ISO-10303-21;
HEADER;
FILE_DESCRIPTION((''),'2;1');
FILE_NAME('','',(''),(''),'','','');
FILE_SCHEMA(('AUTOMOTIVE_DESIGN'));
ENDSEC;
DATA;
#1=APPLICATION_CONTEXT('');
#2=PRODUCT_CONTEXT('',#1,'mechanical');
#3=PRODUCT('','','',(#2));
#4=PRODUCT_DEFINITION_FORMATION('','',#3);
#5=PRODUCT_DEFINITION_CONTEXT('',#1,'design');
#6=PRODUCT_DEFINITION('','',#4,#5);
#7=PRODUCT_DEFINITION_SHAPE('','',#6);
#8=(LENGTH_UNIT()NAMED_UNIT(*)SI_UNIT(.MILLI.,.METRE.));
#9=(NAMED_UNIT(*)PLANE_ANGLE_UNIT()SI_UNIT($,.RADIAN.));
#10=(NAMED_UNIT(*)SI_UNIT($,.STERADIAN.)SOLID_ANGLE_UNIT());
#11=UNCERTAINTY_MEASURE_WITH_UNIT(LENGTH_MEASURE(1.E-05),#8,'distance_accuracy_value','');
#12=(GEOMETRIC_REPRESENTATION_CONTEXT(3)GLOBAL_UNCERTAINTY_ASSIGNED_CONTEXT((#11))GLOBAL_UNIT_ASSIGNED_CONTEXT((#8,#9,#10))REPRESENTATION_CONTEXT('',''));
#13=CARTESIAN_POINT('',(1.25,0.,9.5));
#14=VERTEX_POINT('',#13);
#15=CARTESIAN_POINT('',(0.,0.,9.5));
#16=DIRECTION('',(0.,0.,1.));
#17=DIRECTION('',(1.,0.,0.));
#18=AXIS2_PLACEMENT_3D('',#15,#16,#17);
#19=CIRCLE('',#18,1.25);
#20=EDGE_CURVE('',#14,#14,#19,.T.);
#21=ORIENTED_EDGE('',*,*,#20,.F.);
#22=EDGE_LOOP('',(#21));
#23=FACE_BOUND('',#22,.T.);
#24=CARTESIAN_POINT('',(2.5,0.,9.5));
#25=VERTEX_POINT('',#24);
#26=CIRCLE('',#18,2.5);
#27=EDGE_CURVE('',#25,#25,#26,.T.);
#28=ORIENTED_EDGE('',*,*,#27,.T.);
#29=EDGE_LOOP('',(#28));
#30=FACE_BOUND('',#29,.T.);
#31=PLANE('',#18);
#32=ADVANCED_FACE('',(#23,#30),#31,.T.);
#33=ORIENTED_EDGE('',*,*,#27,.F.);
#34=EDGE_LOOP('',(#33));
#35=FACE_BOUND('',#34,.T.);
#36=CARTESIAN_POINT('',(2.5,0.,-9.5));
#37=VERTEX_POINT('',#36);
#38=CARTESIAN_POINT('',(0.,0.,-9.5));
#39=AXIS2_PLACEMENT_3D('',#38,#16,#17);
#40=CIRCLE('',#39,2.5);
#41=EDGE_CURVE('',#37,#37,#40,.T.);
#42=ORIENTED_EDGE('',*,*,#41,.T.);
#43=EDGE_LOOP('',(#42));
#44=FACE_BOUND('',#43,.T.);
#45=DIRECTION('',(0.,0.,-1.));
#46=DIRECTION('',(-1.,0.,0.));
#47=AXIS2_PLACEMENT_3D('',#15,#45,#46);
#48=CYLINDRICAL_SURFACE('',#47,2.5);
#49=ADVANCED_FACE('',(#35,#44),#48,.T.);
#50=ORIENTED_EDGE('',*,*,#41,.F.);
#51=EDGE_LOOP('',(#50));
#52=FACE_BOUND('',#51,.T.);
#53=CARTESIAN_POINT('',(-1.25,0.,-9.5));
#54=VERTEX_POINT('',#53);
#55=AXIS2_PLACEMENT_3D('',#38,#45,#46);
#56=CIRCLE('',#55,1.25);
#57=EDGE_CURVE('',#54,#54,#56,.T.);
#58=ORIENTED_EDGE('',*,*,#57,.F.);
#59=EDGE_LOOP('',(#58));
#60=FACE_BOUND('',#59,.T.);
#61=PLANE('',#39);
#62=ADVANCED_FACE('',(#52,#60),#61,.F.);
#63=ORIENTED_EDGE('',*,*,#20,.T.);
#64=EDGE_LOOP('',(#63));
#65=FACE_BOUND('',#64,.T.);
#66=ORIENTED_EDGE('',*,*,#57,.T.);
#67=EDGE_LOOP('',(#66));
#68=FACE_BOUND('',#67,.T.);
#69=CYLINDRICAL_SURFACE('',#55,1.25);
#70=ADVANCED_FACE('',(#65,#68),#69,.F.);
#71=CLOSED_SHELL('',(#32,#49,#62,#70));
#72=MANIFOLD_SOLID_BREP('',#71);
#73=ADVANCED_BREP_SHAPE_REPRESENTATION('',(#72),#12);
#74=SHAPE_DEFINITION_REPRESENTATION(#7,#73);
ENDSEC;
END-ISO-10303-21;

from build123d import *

# Parameters (mm, degrees)
SKETCH_1_R               = 2.5
EXTRUDE_1_DEPTH          = 9.5
M3X0_5_1_D               = 2.5
M3X0_5_1_DEPTH           = 8.5
M3X0_5_1_TIP             = 0.751075774
M3X0_5_1_ON_FACE_2_D     = 2.5
M3X0_5_1_ON_FACE_2_DEPTH = 8.5
M3X0_5_1_ON_FACE_2_TIP   = 0.751075774
SKETCH_3_R               = 1.25
CUT_EXTRUDE_1_DEPTH      = 19


with BuildPart() as part:
    # ｽｹｯﾁ1 → ﾎﾞｽ - 押し出し1 (new body, symmetric)
    with BuildSketch(Plane.XY):
        Circle(SKETCH_1_R)
    extrude(amount=EXTRUDE_1_DEPTH, both=True)

    # M3x0.5 ねじ穴1
    with Locations(Plane.XY.offset(9.5)):
        with Locations((0, 0)):
            Hole(M3X0_5_1_D / 2, depth=M3X0_5_1_DEPTH)
            with Locations((0, 0, -(M3X0_5_1_DEPTH + M3X0_5_1_TIP / 2))):  # 118° drill point
                Cone(0, M3X0_5_1_D / 2, M3X0_5_1_TIP, mode=Mode.SUBTRACT)

    # M3x0.5 ねじ穴1 on face 2
    with Locations(Plane(origin=(0, 0, -9.5), x_dir=(-1, 0, 0), z_dir=(0, 0, -1))):
        with Locations((0, 0)):
            Hole(M3X0_5_1_ON_FACE_2_D / 2, depth=M3X0_5_1_ON_FACE_2_DEPTH)
            with Locations((0, 0, -(M3X0_5_1_ON_FACE_2_DEPTH + M3X0_5_1_ON_FACE_2_TIP / 2))):  # 118° drill point
                Cone(0, M3X0_5_1_ON_FACE_2_D / 2, M3X0_5_1_ON_FACE_2_TIP, mode=Mode.SUBTRACT)

    # ｽｹｯﾁ3 → ｶｯﾄ - 押し出し1 (cut)
    with BuildSketch(Plane(origin=(0, 0, -9.5), x_dir=(-1, 0, 0), z_dir=(0, 0, -1))):
        Circle(SKETCH_3_R)
    extrude(amount=-CUT_EXTRUDE_1_DEPTH, mode=Mode.SUBTRACT)


solid = part.part
